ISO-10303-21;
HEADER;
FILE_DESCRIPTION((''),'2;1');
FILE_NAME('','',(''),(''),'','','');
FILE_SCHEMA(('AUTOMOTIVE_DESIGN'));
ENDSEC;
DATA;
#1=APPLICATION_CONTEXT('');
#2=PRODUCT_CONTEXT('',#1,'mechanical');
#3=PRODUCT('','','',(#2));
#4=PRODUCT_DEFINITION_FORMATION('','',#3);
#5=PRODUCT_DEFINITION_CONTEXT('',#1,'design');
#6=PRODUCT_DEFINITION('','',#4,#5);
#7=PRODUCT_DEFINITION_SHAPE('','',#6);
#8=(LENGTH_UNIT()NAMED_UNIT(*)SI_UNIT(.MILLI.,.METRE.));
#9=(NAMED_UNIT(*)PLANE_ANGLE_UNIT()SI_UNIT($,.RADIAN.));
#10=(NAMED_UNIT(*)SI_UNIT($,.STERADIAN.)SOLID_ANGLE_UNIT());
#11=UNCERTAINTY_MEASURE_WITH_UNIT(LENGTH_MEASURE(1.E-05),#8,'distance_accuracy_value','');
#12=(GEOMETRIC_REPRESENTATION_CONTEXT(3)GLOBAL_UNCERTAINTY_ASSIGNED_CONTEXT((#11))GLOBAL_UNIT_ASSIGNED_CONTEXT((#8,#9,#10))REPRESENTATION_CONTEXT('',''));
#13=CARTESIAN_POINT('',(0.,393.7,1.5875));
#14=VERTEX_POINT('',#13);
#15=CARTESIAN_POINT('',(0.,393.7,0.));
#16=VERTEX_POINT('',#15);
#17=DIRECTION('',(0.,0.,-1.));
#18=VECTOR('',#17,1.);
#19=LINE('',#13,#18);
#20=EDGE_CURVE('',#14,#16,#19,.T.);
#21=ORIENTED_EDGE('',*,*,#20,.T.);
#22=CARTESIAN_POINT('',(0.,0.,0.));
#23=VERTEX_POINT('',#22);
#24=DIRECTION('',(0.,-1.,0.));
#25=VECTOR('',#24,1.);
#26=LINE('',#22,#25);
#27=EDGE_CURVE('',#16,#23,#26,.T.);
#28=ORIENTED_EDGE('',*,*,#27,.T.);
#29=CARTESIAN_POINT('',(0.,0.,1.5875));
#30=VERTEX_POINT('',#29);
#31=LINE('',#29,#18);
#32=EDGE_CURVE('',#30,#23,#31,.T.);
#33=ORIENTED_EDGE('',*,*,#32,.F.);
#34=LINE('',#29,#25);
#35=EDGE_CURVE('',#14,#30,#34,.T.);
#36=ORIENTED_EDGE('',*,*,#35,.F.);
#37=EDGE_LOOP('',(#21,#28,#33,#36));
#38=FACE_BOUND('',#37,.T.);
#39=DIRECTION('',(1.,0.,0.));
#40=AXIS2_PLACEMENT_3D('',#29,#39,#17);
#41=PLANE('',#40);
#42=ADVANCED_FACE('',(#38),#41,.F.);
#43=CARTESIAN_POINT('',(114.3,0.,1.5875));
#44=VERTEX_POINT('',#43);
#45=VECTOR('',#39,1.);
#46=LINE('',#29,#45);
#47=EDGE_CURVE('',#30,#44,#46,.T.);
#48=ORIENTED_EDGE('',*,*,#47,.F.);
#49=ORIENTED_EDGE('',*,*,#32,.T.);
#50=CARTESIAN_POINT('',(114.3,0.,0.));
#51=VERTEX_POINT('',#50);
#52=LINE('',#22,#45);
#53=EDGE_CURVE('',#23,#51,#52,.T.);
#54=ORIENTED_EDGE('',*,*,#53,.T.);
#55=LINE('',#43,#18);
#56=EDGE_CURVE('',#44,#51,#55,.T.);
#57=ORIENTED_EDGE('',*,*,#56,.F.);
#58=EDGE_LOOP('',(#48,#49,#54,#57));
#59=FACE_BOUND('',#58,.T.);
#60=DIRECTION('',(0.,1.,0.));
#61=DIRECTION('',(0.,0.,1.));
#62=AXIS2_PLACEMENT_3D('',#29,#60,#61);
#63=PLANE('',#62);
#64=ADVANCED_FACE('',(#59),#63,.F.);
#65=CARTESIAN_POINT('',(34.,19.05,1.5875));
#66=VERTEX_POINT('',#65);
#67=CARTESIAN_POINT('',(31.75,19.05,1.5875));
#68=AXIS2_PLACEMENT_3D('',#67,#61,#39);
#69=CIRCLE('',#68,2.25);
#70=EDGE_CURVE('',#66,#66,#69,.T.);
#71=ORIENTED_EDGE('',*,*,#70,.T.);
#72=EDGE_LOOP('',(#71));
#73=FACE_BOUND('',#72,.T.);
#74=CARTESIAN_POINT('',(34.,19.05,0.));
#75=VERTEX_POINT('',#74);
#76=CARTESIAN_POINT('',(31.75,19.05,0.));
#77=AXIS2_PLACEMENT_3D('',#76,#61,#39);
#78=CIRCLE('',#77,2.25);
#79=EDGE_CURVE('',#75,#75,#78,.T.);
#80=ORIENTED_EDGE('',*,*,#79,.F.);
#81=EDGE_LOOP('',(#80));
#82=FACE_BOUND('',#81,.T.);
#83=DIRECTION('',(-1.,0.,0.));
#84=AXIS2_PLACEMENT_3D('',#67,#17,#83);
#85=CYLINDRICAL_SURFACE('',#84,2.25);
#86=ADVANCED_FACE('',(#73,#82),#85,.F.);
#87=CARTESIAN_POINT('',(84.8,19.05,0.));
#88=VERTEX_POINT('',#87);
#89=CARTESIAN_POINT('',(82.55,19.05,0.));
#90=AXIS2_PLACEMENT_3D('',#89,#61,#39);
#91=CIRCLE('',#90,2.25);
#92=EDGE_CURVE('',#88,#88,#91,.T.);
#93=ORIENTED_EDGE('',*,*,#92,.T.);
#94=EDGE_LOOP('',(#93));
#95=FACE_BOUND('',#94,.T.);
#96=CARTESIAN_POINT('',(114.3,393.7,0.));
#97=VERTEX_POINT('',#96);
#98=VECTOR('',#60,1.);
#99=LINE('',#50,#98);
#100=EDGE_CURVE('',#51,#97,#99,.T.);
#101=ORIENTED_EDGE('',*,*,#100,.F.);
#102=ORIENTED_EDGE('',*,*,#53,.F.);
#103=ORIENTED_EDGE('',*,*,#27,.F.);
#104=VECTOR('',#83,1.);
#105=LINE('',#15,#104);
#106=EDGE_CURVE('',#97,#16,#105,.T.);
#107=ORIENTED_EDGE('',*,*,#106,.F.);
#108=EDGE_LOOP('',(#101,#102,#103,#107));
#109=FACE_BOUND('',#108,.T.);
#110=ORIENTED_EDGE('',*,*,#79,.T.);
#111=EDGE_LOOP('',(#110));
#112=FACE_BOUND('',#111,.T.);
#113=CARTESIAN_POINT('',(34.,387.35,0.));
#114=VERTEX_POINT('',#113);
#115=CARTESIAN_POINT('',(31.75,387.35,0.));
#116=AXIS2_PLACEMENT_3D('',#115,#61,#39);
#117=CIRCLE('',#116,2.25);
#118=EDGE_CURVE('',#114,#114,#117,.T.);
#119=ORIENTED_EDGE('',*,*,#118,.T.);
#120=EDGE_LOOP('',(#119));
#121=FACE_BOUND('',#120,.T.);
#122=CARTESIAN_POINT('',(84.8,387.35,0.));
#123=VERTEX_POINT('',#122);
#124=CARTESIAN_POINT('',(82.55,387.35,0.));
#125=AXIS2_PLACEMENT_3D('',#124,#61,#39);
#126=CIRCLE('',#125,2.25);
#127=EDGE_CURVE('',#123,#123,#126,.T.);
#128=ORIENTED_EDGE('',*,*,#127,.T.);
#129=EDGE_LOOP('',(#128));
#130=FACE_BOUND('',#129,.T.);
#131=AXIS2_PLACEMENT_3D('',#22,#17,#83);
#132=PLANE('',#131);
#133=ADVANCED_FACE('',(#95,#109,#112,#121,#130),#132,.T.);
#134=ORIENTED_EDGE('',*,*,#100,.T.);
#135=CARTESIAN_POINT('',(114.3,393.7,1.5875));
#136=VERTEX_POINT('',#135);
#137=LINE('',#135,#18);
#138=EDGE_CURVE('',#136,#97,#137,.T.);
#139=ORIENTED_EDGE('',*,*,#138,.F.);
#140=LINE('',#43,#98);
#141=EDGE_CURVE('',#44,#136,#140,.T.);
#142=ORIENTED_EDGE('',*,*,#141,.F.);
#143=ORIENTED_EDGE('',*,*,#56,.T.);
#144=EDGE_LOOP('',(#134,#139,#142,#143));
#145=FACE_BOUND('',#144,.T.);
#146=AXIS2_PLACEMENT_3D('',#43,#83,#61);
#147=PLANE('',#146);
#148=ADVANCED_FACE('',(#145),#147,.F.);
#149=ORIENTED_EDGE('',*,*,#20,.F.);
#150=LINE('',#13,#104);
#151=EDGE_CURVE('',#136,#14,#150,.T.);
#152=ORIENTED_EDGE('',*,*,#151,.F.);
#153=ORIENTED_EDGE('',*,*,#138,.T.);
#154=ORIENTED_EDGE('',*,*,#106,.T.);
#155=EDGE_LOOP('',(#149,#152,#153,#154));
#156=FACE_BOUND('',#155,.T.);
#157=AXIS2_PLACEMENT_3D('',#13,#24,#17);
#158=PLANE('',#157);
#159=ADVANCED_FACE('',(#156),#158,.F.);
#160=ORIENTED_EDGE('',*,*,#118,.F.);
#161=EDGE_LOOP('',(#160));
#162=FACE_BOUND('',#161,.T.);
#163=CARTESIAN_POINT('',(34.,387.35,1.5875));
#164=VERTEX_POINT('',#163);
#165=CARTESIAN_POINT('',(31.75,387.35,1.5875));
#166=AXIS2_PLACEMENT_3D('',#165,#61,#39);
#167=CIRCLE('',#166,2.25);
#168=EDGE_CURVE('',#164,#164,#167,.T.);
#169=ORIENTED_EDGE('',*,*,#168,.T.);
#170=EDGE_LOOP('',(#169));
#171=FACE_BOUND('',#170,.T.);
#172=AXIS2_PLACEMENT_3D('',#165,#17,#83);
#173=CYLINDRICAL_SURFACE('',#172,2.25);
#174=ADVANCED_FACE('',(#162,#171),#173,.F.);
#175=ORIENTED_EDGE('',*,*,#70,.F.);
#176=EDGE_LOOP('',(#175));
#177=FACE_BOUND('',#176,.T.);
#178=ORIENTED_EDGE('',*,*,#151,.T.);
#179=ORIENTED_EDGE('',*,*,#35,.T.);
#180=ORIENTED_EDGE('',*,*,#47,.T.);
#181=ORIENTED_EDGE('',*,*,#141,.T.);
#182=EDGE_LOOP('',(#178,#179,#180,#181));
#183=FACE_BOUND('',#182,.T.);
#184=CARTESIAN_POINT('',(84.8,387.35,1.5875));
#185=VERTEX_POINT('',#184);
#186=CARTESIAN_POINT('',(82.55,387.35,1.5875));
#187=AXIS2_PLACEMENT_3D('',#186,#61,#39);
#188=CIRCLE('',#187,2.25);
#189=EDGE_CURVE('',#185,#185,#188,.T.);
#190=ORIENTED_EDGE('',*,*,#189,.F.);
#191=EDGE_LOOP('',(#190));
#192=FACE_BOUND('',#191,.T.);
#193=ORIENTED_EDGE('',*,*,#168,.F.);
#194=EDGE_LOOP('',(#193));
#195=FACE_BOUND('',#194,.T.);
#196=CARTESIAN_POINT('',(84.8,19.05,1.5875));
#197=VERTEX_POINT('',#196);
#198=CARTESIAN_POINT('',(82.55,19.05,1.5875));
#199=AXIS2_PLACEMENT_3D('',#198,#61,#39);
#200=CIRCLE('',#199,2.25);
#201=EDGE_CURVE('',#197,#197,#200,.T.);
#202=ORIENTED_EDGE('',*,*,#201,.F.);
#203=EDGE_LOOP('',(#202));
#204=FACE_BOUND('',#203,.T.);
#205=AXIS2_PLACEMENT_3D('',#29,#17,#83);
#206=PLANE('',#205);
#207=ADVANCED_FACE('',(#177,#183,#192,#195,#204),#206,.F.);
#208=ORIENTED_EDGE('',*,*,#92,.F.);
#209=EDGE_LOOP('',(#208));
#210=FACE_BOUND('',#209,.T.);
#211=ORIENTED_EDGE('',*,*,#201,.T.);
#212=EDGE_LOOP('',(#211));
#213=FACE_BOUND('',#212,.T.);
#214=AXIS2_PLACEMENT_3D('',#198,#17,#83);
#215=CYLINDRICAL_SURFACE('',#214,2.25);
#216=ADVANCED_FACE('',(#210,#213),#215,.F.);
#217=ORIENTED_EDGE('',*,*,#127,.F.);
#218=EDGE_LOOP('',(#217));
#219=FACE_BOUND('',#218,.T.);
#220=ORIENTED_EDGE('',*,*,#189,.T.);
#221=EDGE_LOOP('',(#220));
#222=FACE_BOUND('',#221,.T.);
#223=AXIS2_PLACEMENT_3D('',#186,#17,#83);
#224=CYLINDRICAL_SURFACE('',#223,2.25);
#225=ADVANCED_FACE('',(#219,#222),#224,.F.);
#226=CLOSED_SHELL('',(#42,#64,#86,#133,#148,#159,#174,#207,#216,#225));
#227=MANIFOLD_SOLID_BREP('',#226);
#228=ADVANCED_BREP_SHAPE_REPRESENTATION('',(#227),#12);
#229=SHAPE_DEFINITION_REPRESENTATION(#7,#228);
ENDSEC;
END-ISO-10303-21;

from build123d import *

# Parameters (mm, degrees)
SKETCH1_W           = 114.3
SKETCH1_H           = 393.7
SKETCH1_R           = 2.25
BOSS_EXTRUDE1_DEPTH = 1.5875


with BuildPart() as part:
    # Sketch1 → Boss-Extrude1 (new body)
    with BuildSketch(Plane.XY):
        with Locations((57.15, 196.85)):
            Rectangle(SKETCH1_W, SKETCH1_H)
        with Locations((31.75, 387.35)):
            Circle(SKETCH1_R, mode=Mode.SUBTRACT)
        with Locations((82.55, 387.35)):
            Circle(SKETCH1_R, mode=Mode.SUBTRACT)
        with Locations((31.75, 19.05)):
            Circle(SKETCH1_R, mode=Mode.SUBTRACT)
        with Locations((82.55, 19.05)):
            Circle(SKETCH1_R, mode=Mode.SUBTRACT)
    extrude(amount=BOSS_EXTRUDE1_DEPTH)


solid = part.part
